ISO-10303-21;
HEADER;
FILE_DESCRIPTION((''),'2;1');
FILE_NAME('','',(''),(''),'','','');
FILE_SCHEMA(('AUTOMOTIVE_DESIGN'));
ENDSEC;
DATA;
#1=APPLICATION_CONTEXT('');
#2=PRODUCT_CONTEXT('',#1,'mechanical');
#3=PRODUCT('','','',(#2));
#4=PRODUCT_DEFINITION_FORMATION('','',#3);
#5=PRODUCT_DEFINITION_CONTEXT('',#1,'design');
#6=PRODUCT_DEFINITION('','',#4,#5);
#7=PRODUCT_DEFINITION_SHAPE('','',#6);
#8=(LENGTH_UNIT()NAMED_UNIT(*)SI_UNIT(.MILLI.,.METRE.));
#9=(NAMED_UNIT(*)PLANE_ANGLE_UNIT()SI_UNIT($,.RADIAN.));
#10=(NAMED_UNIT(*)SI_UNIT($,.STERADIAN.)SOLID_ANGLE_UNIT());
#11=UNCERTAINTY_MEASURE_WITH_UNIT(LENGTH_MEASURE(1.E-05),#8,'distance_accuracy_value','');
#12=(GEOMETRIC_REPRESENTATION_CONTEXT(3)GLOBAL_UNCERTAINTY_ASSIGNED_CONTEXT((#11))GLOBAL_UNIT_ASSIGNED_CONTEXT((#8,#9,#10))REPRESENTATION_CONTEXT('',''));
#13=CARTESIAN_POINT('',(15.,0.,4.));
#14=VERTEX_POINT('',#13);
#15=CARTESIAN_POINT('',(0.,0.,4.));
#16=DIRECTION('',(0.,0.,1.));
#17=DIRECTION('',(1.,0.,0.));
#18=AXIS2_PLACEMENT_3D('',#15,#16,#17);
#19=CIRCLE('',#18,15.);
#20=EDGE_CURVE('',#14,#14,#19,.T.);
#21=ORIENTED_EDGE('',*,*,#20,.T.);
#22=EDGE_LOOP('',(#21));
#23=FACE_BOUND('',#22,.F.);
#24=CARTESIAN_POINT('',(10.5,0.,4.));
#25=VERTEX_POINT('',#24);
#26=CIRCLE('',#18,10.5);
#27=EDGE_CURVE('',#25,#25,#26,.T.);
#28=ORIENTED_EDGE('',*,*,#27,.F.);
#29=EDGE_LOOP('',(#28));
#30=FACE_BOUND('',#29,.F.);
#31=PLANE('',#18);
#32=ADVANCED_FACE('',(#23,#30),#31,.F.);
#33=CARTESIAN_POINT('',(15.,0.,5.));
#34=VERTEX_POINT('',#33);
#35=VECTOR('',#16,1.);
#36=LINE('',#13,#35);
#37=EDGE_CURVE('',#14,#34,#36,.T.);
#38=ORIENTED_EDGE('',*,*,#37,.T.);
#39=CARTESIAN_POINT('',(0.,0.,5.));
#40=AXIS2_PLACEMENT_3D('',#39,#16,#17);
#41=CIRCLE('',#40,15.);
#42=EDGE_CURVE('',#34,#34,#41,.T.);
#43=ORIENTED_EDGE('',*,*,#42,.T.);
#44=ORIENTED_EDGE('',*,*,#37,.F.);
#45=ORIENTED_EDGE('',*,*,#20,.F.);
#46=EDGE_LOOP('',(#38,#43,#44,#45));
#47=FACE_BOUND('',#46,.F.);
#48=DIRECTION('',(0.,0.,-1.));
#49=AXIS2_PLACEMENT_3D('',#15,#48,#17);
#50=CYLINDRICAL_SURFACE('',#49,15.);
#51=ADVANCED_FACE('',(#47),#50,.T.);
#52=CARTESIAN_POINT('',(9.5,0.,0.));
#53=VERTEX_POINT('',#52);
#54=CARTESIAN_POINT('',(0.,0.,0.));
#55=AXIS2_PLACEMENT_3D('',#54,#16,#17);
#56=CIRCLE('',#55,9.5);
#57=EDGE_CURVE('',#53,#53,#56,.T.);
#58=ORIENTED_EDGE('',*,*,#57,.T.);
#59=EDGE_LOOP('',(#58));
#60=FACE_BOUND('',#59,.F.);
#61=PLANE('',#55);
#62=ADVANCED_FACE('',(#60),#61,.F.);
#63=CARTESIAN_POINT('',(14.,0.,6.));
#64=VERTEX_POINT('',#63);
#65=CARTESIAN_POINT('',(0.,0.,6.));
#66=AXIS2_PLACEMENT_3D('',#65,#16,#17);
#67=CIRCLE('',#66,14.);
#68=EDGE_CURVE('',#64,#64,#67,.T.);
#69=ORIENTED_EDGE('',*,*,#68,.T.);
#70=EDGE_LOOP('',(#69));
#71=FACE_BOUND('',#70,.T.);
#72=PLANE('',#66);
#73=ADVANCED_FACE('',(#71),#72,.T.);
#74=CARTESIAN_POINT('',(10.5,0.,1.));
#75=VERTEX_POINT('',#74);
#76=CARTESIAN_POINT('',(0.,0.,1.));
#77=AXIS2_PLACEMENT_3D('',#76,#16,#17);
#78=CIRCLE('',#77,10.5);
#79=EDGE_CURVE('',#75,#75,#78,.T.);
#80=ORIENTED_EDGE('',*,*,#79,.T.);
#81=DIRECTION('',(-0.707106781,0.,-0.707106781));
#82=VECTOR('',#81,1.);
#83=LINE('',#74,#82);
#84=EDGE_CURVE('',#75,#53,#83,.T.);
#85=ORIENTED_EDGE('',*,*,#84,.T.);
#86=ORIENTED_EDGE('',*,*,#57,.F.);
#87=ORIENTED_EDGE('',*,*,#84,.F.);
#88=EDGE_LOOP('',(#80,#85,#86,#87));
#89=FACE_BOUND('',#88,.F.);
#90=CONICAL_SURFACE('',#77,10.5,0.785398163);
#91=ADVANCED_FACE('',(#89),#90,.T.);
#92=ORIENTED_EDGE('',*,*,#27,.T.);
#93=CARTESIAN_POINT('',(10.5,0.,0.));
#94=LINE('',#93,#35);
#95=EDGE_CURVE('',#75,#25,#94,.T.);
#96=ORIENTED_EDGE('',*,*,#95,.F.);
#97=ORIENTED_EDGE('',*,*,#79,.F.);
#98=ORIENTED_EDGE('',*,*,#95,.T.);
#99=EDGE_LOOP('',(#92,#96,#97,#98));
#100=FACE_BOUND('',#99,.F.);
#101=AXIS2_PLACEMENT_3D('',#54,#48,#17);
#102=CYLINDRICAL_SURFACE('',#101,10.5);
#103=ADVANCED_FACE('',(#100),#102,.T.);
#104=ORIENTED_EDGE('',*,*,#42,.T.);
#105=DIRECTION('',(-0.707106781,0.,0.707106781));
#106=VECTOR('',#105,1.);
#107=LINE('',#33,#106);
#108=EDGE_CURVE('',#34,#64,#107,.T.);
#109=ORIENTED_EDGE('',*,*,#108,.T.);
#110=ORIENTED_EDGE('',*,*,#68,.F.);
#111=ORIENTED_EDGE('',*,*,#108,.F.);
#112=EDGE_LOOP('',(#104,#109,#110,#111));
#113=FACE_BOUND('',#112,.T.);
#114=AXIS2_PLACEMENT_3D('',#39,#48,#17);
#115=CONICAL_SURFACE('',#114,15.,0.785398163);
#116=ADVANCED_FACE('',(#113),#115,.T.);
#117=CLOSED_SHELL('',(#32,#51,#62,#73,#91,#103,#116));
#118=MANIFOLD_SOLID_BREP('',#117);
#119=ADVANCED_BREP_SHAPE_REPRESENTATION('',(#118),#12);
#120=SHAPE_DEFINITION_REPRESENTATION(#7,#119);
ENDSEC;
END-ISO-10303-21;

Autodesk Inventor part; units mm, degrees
ref_plane "YZ Plane" through (0, 0, 0) normal (1, 0, 0) x (0, 1, 0)
ref_plane "XZ Plane" through (0, 0, 0) normal (0, 1, 0) x (-1, 0, 0)
ref_plane "XY Plane" through (0, 0, 0) normal (0, 0, 1) x (1, 0, 0)
sketch "Sketch1" plane through (0, 0, 0) normal (0, 0, 1) x (1, 0, 0)
  circle A0 centre (0, 0) radius 10.5
  dimension "d0" = 21
extrude "Extrusion1" add sketch "Sketch1" along normal blind 4
sketch "Sketch2" plane through (0, 0, 4) normal (0, 0, 1) x (1, 0, 0)
  circle A0 centre (0, 0) radius 15
  dimension "d3" = 30
extrude "Extrusion2" add sketch "Sketch2" along normal blind 2
chamfer "Chamfer1" distance 1 angle 45 1 edges at (-15, 0, 6)
chamfer "Chamfer2" distance 1 angle 45 1 edges at (-10.5, 0, 0)
properties part number "Plug21mm_3DPrint"
